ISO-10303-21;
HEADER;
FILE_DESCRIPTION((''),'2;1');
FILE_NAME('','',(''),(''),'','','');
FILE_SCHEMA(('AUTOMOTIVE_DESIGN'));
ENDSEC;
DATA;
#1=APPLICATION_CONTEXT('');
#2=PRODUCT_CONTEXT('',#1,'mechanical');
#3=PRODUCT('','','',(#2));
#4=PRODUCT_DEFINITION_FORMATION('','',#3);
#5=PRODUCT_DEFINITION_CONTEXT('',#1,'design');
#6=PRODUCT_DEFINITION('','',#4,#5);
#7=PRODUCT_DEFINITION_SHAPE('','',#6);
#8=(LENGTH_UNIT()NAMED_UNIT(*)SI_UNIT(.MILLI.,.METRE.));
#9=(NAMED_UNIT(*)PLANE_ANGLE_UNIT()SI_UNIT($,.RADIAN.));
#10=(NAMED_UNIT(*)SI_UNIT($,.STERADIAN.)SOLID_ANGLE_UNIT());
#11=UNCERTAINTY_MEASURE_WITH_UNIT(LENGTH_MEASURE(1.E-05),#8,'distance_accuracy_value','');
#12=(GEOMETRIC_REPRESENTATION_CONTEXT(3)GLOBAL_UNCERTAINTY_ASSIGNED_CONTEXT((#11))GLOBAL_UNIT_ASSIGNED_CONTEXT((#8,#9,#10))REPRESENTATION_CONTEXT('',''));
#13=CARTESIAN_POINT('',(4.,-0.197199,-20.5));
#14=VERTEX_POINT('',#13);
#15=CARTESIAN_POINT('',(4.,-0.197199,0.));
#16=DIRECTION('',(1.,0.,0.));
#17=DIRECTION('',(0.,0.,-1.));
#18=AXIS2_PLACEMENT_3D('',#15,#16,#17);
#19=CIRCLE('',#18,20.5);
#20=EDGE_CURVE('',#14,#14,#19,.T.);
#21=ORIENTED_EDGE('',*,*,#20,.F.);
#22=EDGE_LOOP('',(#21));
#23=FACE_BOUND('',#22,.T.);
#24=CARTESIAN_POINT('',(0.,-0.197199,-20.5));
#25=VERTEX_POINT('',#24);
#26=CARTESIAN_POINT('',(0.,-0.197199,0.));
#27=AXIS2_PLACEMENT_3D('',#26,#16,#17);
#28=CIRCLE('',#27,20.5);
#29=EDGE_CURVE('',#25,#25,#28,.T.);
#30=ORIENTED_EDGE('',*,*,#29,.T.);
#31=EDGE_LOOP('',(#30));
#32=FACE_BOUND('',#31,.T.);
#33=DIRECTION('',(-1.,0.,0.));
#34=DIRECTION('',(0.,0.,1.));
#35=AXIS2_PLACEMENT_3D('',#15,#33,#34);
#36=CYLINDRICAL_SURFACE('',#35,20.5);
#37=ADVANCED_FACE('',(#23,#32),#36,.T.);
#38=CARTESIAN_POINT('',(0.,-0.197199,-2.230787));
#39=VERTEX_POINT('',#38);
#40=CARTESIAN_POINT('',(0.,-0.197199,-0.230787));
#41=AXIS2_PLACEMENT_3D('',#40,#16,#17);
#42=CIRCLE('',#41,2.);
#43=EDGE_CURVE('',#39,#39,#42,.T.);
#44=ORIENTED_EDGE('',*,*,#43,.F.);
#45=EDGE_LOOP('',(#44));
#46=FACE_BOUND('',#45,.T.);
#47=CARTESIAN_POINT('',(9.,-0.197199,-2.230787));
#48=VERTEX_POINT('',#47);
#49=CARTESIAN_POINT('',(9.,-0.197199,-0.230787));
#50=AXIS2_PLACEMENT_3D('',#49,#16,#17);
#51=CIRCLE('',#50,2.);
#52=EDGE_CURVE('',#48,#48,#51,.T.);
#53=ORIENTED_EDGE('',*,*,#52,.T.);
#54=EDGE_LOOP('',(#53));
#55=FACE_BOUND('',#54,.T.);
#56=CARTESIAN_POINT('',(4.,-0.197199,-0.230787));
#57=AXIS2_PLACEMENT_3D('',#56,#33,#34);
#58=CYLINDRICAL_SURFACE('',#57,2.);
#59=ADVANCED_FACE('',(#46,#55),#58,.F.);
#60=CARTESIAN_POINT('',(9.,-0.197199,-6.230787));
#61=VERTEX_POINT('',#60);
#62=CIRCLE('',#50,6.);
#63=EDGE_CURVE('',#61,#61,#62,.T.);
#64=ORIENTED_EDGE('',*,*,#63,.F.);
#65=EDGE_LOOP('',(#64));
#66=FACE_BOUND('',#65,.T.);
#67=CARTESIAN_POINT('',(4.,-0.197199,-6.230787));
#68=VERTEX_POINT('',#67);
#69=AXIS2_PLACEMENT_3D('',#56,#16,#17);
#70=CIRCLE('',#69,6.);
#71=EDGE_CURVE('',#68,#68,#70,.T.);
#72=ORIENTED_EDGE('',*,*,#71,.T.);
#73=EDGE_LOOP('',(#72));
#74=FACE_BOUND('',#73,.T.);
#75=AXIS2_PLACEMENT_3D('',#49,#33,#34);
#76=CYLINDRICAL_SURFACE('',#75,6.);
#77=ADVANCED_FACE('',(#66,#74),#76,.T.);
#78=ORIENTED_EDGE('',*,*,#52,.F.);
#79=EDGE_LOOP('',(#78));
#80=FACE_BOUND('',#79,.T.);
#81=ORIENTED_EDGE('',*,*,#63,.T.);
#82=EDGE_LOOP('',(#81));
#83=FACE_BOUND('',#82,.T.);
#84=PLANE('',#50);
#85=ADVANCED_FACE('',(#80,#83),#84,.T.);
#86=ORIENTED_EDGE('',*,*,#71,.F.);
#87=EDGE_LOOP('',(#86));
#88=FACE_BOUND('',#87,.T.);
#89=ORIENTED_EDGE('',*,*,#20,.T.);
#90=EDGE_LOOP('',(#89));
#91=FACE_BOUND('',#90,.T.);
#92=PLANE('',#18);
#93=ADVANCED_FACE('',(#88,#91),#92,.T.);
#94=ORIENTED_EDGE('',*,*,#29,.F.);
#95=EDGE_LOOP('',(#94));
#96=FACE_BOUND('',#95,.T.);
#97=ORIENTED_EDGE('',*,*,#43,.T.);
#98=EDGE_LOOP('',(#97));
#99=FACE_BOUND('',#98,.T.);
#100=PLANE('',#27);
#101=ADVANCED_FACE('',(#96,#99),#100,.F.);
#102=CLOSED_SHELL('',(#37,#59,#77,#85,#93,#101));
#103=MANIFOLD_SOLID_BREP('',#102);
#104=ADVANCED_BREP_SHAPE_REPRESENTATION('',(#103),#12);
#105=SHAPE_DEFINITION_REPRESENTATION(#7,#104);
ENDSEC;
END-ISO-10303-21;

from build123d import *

# Parameters (mm, degrees)
SKETCH1_R           = 20.5
SKETCH1_R_2         = 2
BOSS_EXTRUDE1_DEPTH = 4
SKETCH2_R           = 6
SKETCH2_R_2         = 2
BOSS_EXTRUDE3_DEPTH = 5


with BuildPart() as part:
    # Sketch1 → Boss-Extrude1 (new body)
    with BuildSketch(Plane(origin=(0, 0, 0), x_dir=(0, 0, -1), z_dir=(1, 0, 0))):
        with Locations((0, -0.19719949)):
            Circle(SKETCH1_R)
        with Locations((0.230786774, -0.19719949)):
            Circle(SKETCH1_R_2, mode=Mode.SUBTRACT)
    extrude(amount=BOSS_EXTRUDE1_DEPTH)

    # Sketch2 → Boss-Extrude3 (add)
    with BuildSketch(Plane(origin=(4, 0, 0), x_dir=(0, 0, -1), z_dir=(1, 0, 0))):
        with Locations((0.230786774, -0.19719949)):
            Circle(SKETCH2_R)
        with Locations((0.230786774, -0.19719949)):
            Circle(SKETCH2_R_2, mode=Mode.SUBTRACT)
    extrude(amount=BOSS_EXTRUDE3_DEPTH)


solid = part.part
